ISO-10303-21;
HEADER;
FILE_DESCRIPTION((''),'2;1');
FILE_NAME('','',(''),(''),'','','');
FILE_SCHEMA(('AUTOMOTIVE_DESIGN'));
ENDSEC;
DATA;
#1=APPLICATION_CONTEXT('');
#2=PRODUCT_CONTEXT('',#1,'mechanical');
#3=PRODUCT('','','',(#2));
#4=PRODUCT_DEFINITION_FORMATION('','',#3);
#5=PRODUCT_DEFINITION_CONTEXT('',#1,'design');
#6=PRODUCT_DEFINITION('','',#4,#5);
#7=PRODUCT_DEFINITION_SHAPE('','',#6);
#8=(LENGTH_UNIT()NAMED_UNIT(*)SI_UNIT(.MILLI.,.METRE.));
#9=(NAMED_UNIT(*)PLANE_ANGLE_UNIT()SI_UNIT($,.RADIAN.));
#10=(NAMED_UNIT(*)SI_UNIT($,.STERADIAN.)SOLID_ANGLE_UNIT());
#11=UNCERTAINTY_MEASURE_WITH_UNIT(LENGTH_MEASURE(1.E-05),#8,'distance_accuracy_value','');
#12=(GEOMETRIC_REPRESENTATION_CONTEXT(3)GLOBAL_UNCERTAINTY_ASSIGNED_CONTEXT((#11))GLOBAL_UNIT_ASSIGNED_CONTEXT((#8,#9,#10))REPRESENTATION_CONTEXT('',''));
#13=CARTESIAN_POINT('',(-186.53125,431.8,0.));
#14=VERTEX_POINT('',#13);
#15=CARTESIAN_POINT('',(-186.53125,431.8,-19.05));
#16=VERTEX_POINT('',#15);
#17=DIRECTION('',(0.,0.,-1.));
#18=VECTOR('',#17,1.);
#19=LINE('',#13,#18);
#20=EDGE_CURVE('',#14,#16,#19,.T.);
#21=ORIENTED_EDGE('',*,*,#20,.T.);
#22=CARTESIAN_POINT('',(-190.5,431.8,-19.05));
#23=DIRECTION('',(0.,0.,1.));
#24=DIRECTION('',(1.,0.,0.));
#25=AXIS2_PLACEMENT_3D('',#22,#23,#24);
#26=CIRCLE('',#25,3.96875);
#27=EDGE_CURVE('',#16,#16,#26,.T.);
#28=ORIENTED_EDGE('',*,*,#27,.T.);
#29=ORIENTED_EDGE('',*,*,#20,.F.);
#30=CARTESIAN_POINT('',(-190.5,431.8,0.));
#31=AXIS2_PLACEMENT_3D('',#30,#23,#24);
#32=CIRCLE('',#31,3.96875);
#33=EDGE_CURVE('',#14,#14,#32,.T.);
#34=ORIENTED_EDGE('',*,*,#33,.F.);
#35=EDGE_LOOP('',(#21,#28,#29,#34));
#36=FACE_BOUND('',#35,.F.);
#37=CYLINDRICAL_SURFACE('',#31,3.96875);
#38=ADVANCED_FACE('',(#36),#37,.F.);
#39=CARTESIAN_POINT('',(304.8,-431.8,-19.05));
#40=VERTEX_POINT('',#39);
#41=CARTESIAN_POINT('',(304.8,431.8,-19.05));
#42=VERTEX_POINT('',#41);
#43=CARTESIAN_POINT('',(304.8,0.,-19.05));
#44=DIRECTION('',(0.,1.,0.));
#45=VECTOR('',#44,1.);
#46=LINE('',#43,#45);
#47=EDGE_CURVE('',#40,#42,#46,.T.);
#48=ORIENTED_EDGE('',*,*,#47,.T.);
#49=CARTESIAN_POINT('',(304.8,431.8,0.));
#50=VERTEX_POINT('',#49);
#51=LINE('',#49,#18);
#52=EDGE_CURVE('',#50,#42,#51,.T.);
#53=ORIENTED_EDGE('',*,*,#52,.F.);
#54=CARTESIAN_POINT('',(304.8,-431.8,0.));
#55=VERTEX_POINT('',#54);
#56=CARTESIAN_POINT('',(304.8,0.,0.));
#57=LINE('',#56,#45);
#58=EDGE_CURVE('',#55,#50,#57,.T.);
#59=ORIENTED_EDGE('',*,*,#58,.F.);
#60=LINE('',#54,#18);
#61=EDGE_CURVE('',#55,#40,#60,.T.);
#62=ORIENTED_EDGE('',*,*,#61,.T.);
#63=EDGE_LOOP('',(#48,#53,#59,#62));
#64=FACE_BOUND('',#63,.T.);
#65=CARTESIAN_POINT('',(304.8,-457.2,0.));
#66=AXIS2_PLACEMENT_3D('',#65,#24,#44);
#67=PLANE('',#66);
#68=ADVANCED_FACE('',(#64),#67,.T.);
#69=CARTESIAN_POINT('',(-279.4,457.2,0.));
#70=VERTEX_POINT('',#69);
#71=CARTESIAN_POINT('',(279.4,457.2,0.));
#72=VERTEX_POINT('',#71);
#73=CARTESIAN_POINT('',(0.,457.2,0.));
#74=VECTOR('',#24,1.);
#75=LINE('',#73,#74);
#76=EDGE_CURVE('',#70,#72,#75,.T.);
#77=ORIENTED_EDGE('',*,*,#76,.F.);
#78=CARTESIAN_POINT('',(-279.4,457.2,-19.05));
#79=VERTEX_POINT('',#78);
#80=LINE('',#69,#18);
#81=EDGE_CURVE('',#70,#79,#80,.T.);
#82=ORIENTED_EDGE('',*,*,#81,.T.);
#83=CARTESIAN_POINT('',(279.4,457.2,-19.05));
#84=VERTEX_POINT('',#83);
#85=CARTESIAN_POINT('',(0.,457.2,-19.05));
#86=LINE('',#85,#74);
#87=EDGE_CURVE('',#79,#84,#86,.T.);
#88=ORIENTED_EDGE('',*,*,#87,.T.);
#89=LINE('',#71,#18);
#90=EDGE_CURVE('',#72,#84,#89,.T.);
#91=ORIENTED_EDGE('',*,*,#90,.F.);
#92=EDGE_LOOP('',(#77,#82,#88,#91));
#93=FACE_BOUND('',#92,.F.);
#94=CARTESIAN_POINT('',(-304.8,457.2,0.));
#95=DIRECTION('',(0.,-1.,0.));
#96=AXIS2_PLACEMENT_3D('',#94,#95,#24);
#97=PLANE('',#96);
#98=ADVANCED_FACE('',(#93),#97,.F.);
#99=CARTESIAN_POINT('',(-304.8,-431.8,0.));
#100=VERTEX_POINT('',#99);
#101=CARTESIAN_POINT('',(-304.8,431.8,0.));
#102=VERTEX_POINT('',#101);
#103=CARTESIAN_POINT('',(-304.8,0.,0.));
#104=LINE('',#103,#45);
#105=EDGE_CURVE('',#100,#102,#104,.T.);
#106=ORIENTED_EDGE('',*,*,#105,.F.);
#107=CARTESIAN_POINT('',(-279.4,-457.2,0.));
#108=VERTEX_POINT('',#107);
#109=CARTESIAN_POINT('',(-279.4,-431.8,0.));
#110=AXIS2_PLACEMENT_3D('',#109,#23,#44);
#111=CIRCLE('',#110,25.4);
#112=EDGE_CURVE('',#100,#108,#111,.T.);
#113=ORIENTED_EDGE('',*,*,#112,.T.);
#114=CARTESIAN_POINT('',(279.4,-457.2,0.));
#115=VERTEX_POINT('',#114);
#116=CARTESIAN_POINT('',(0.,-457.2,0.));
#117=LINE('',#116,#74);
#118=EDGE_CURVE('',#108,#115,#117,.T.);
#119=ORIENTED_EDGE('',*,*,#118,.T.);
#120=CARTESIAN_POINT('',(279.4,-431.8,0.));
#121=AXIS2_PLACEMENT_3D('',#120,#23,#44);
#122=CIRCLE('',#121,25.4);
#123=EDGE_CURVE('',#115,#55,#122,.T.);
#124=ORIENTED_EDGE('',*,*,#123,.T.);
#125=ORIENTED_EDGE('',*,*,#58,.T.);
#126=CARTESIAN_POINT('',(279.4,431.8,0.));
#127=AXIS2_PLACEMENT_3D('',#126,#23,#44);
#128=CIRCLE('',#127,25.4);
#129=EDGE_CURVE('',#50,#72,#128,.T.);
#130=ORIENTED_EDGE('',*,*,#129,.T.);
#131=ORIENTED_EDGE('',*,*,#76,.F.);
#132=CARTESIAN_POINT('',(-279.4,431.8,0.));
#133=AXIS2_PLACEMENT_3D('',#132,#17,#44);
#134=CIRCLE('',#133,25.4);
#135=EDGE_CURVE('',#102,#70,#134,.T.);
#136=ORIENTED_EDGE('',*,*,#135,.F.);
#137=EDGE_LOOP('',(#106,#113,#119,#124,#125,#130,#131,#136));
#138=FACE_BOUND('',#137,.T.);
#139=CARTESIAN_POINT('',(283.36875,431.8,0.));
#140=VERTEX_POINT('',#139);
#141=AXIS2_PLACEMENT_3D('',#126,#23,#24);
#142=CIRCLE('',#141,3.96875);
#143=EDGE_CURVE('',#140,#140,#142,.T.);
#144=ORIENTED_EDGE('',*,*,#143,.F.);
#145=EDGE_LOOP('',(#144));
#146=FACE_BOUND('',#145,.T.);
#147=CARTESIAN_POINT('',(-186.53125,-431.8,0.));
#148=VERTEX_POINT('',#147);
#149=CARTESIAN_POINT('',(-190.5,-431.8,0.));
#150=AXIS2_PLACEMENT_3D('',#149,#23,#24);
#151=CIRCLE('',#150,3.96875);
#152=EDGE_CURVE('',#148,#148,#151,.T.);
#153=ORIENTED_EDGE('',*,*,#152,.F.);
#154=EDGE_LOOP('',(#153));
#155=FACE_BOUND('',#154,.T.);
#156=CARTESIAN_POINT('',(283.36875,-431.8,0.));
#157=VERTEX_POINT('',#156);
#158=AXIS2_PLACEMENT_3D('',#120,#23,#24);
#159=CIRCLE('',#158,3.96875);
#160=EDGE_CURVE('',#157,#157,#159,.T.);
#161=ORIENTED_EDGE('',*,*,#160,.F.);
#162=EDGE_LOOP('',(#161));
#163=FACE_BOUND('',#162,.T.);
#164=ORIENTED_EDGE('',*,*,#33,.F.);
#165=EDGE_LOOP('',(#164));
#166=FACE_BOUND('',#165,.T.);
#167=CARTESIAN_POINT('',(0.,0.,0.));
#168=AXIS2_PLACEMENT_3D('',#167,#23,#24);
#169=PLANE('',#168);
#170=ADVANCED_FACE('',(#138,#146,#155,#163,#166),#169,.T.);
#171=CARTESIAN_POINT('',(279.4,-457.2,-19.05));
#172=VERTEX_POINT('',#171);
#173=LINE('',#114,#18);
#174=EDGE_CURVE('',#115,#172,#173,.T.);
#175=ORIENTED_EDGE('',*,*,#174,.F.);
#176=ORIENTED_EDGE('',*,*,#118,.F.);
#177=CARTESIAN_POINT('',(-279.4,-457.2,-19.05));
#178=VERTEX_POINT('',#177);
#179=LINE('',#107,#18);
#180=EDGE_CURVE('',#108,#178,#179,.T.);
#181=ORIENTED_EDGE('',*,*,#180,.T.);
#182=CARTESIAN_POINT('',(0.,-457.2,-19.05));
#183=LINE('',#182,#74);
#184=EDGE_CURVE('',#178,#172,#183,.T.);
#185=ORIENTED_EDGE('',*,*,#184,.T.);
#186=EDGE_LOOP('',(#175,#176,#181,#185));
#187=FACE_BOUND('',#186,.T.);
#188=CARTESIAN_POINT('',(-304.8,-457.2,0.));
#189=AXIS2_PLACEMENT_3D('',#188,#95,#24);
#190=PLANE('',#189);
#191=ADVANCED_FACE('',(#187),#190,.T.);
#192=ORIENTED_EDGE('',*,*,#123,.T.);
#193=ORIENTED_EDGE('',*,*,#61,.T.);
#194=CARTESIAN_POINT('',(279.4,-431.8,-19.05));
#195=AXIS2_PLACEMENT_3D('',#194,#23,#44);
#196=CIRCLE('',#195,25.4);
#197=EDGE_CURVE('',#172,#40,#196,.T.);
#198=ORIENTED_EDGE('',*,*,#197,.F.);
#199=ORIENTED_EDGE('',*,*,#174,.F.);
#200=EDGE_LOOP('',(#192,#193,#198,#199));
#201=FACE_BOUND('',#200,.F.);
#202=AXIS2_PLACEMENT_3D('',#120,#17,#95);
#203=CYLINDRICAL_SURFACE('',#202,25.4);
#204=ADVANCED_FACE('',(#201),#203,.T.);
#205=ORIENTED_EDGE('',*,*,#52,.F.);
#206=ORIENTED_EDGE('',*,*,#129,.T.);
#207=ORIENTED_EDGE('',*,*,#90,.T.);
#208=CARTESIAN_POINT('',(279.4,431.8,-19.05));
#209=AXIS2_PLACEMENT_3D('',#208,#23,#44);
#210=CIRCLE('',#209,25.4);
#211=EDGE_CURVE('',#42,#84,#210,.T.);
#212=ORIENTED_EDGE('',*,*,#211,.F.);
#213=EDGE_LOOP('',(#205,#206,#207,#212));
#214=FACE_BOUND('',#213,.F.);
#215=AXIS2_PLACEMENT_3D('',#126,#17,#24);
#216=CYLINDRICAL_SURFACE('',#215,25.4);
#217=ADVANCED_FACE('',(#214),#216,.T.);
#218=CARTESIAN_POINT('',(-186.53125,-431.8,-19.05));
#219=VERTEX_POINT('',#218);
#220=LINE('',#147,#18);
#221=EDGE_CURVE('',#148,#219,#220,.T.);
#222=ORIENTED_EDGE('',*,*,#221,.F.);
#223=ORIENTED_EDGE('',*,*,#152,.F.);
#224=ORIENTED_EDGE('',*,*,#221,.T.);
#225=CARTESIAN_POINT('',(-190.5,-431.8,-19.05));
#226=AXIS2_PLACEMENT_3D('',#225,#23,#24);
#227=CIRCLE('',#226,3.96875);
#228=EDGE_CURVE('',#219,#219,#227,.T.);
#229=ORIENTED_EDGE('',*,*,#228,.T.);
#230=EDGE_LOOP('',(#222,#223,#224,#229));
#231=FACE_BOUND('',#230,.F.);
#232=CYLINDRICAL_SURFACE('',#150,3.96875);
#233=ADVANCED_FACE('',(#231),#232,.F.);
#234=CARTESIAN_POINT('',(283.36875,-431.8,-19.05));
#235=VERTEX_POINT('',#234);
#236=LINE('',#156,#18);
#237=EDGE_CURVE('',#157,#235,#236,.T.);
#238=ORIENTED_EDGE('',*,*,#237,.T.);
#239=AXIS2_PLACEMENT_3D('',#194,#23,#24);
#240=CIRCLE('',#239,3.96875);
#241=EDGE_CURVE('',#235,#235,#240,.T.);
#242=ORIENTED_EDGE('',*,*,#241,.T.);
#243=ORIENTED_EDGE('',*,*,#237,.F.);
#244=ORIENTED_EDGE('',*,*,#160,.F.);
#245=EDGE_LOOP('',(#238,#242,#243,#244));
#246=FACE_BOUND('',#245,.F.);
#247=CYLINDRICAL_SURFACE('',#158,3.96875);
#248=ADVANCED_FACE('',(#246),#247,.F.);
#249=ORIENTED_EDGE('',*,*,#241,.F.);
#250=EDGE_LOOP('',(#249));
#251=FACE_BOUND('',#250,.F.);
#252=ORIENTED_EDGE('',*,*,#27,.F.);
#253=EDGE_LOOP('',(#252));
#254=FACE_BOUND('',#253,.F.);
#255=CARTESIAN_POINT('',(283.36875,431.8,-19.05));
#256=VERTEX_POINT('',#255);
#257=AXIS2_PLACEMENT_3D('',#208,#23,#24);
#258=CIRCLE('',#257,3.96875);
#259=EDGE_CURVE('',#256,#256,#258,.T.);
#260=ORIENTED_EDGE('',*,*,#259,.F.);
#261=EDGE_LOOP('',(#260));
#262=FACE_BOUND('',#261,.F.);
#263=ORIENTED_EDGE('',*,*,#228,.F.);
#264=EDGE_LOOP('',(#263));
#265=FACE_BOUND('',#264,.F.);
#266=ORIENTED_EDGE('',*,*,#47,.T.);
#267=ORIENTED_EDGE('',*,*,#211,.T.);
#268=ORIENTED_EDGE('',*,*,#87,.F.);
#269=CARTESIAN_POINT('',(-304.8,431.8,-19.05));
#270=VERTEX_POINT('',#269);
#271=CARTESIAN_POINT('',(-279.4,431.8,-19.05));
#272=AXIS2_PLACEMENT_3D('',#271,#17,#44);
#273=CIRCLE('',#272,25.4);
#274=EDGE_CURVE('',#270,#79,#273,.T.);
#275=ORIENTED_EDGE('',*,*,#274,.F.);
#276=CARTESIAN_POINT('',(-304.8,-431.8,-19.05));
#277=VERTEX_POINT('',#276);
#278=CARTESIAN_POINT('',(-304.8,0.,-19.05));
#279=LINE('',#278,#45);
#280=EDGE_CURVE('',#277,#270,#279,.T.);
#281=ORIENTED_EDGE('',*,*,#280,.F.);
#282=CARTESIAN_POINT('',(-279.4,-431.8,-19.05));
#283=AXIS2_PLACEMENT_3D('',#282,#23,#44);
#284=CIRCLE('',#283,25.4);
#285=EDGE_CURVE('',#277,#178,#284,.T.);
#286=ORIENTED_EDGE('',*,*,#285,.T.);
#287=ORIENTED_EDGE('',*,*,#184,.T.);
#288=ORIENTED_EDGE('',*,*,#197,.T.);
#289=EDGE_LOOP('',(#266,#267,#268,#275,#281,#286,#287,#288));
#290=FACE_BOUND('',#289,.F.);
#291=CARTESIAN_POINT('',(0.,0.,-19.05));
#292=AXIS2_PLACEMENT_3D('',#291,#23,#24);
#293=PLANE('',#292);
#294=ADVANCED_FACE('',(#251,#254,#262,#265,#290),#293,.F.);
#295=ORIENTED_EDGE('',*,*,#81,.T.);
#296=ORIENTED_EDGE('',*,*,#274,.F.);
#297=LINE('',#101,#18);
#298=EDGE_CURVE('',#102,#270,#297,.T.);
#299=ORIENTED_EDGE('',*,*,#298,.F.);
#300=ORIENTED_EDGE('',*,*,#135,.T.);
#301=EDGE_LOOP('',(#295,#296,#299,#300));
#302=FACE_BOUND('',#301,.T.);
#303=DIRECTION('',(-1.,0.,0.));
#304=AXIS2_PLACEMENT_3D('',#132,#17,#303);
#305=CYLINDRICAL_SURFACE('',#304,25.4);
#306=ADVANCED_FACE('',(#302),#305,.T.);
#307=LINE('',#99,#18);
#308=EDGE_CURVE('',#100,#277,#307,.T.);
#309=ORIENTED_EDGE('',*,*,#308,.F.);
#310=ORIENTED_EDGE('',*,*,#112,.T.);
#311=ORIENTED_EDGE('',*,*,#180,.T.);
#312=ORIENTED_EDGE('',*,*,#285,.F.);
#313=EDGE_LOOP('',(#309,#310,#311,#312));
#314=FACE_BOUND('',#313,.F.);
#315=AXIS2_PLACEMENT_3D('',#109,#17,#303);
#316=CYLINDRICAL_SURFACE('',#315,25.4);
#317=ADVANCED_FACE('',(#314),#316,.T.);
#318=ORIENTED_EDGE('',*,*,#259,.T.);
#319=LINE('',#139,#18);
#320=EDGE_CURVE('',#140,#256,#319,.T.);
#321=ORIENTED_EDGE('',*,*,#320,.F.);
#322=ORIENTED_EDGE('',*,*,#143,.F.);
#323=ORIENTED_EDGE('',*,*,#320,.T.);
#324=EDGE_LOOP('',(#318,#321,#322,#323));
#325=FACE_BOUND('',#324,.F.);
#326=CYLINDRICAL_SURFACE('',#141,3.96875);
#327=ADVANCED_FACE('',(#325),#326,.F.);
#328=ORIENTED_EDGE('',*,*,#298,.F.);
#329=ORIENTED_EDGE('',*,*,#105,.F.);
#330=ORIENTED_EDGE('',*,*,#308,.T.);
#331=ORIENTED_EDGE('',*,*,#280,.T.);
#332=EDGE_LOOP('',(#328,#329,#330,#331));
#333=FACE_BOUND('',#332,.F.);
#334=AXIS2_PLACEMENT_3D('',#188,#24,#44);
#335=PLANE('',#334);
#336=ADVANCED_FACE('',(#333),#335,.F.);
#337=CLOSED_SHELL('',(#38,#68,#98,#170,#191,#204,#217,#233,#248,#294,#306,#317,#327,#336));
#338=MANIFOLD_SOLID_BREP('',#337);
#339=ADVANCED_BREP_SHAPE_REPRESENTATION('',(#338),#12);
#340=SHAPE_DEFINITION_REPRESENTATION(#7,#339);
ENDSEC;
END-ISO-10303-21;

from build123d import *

# Parameters (mm, degrees)
F0_W     = 609.6
F0_H     = 914.4
F1_DEPTH = 19.05
F2_R     = 25.4
F3_R     = 3.96875
F4_DEPTH = 19.051


with BuildPart() as f1:
    # F0 (on Top) → F1 (new body)
    with BuildSketch(Plane.XY):
        Rectangle(F0_W, F0_H)
    extrude(amount=-F1_DEPTH)

    # F2
    f2_edges = [f1.edges().sort_by_distance(p)[0] for p in [
        (-304.8, -457.2, -9.525),
        (-304.8, 457.2, -9.525),
        (304.8, 457.2, -9.525),
        (304.8, -457.2, -9.525),
    ]]
    fillet(f2_edges, radius=F2_R)

    # F3 (on face) → F4 (cut, through all)
    with BuildSketch(Plane.XY):
        with Locations((-190.5, -431.8)):
            Circle(F3_R)
        with Locations((279.4, -431.8)):
            Circle(F3_R)
        with Locations((279.4, 431.8)):
            Circle(F3_R)
        with Locations((-190.5, 431.8)):
            Circle(F3_R)
    extrude(amount=-F4_DEPTH, mode=Mode.SUBTRACT)


solid = f1.part
